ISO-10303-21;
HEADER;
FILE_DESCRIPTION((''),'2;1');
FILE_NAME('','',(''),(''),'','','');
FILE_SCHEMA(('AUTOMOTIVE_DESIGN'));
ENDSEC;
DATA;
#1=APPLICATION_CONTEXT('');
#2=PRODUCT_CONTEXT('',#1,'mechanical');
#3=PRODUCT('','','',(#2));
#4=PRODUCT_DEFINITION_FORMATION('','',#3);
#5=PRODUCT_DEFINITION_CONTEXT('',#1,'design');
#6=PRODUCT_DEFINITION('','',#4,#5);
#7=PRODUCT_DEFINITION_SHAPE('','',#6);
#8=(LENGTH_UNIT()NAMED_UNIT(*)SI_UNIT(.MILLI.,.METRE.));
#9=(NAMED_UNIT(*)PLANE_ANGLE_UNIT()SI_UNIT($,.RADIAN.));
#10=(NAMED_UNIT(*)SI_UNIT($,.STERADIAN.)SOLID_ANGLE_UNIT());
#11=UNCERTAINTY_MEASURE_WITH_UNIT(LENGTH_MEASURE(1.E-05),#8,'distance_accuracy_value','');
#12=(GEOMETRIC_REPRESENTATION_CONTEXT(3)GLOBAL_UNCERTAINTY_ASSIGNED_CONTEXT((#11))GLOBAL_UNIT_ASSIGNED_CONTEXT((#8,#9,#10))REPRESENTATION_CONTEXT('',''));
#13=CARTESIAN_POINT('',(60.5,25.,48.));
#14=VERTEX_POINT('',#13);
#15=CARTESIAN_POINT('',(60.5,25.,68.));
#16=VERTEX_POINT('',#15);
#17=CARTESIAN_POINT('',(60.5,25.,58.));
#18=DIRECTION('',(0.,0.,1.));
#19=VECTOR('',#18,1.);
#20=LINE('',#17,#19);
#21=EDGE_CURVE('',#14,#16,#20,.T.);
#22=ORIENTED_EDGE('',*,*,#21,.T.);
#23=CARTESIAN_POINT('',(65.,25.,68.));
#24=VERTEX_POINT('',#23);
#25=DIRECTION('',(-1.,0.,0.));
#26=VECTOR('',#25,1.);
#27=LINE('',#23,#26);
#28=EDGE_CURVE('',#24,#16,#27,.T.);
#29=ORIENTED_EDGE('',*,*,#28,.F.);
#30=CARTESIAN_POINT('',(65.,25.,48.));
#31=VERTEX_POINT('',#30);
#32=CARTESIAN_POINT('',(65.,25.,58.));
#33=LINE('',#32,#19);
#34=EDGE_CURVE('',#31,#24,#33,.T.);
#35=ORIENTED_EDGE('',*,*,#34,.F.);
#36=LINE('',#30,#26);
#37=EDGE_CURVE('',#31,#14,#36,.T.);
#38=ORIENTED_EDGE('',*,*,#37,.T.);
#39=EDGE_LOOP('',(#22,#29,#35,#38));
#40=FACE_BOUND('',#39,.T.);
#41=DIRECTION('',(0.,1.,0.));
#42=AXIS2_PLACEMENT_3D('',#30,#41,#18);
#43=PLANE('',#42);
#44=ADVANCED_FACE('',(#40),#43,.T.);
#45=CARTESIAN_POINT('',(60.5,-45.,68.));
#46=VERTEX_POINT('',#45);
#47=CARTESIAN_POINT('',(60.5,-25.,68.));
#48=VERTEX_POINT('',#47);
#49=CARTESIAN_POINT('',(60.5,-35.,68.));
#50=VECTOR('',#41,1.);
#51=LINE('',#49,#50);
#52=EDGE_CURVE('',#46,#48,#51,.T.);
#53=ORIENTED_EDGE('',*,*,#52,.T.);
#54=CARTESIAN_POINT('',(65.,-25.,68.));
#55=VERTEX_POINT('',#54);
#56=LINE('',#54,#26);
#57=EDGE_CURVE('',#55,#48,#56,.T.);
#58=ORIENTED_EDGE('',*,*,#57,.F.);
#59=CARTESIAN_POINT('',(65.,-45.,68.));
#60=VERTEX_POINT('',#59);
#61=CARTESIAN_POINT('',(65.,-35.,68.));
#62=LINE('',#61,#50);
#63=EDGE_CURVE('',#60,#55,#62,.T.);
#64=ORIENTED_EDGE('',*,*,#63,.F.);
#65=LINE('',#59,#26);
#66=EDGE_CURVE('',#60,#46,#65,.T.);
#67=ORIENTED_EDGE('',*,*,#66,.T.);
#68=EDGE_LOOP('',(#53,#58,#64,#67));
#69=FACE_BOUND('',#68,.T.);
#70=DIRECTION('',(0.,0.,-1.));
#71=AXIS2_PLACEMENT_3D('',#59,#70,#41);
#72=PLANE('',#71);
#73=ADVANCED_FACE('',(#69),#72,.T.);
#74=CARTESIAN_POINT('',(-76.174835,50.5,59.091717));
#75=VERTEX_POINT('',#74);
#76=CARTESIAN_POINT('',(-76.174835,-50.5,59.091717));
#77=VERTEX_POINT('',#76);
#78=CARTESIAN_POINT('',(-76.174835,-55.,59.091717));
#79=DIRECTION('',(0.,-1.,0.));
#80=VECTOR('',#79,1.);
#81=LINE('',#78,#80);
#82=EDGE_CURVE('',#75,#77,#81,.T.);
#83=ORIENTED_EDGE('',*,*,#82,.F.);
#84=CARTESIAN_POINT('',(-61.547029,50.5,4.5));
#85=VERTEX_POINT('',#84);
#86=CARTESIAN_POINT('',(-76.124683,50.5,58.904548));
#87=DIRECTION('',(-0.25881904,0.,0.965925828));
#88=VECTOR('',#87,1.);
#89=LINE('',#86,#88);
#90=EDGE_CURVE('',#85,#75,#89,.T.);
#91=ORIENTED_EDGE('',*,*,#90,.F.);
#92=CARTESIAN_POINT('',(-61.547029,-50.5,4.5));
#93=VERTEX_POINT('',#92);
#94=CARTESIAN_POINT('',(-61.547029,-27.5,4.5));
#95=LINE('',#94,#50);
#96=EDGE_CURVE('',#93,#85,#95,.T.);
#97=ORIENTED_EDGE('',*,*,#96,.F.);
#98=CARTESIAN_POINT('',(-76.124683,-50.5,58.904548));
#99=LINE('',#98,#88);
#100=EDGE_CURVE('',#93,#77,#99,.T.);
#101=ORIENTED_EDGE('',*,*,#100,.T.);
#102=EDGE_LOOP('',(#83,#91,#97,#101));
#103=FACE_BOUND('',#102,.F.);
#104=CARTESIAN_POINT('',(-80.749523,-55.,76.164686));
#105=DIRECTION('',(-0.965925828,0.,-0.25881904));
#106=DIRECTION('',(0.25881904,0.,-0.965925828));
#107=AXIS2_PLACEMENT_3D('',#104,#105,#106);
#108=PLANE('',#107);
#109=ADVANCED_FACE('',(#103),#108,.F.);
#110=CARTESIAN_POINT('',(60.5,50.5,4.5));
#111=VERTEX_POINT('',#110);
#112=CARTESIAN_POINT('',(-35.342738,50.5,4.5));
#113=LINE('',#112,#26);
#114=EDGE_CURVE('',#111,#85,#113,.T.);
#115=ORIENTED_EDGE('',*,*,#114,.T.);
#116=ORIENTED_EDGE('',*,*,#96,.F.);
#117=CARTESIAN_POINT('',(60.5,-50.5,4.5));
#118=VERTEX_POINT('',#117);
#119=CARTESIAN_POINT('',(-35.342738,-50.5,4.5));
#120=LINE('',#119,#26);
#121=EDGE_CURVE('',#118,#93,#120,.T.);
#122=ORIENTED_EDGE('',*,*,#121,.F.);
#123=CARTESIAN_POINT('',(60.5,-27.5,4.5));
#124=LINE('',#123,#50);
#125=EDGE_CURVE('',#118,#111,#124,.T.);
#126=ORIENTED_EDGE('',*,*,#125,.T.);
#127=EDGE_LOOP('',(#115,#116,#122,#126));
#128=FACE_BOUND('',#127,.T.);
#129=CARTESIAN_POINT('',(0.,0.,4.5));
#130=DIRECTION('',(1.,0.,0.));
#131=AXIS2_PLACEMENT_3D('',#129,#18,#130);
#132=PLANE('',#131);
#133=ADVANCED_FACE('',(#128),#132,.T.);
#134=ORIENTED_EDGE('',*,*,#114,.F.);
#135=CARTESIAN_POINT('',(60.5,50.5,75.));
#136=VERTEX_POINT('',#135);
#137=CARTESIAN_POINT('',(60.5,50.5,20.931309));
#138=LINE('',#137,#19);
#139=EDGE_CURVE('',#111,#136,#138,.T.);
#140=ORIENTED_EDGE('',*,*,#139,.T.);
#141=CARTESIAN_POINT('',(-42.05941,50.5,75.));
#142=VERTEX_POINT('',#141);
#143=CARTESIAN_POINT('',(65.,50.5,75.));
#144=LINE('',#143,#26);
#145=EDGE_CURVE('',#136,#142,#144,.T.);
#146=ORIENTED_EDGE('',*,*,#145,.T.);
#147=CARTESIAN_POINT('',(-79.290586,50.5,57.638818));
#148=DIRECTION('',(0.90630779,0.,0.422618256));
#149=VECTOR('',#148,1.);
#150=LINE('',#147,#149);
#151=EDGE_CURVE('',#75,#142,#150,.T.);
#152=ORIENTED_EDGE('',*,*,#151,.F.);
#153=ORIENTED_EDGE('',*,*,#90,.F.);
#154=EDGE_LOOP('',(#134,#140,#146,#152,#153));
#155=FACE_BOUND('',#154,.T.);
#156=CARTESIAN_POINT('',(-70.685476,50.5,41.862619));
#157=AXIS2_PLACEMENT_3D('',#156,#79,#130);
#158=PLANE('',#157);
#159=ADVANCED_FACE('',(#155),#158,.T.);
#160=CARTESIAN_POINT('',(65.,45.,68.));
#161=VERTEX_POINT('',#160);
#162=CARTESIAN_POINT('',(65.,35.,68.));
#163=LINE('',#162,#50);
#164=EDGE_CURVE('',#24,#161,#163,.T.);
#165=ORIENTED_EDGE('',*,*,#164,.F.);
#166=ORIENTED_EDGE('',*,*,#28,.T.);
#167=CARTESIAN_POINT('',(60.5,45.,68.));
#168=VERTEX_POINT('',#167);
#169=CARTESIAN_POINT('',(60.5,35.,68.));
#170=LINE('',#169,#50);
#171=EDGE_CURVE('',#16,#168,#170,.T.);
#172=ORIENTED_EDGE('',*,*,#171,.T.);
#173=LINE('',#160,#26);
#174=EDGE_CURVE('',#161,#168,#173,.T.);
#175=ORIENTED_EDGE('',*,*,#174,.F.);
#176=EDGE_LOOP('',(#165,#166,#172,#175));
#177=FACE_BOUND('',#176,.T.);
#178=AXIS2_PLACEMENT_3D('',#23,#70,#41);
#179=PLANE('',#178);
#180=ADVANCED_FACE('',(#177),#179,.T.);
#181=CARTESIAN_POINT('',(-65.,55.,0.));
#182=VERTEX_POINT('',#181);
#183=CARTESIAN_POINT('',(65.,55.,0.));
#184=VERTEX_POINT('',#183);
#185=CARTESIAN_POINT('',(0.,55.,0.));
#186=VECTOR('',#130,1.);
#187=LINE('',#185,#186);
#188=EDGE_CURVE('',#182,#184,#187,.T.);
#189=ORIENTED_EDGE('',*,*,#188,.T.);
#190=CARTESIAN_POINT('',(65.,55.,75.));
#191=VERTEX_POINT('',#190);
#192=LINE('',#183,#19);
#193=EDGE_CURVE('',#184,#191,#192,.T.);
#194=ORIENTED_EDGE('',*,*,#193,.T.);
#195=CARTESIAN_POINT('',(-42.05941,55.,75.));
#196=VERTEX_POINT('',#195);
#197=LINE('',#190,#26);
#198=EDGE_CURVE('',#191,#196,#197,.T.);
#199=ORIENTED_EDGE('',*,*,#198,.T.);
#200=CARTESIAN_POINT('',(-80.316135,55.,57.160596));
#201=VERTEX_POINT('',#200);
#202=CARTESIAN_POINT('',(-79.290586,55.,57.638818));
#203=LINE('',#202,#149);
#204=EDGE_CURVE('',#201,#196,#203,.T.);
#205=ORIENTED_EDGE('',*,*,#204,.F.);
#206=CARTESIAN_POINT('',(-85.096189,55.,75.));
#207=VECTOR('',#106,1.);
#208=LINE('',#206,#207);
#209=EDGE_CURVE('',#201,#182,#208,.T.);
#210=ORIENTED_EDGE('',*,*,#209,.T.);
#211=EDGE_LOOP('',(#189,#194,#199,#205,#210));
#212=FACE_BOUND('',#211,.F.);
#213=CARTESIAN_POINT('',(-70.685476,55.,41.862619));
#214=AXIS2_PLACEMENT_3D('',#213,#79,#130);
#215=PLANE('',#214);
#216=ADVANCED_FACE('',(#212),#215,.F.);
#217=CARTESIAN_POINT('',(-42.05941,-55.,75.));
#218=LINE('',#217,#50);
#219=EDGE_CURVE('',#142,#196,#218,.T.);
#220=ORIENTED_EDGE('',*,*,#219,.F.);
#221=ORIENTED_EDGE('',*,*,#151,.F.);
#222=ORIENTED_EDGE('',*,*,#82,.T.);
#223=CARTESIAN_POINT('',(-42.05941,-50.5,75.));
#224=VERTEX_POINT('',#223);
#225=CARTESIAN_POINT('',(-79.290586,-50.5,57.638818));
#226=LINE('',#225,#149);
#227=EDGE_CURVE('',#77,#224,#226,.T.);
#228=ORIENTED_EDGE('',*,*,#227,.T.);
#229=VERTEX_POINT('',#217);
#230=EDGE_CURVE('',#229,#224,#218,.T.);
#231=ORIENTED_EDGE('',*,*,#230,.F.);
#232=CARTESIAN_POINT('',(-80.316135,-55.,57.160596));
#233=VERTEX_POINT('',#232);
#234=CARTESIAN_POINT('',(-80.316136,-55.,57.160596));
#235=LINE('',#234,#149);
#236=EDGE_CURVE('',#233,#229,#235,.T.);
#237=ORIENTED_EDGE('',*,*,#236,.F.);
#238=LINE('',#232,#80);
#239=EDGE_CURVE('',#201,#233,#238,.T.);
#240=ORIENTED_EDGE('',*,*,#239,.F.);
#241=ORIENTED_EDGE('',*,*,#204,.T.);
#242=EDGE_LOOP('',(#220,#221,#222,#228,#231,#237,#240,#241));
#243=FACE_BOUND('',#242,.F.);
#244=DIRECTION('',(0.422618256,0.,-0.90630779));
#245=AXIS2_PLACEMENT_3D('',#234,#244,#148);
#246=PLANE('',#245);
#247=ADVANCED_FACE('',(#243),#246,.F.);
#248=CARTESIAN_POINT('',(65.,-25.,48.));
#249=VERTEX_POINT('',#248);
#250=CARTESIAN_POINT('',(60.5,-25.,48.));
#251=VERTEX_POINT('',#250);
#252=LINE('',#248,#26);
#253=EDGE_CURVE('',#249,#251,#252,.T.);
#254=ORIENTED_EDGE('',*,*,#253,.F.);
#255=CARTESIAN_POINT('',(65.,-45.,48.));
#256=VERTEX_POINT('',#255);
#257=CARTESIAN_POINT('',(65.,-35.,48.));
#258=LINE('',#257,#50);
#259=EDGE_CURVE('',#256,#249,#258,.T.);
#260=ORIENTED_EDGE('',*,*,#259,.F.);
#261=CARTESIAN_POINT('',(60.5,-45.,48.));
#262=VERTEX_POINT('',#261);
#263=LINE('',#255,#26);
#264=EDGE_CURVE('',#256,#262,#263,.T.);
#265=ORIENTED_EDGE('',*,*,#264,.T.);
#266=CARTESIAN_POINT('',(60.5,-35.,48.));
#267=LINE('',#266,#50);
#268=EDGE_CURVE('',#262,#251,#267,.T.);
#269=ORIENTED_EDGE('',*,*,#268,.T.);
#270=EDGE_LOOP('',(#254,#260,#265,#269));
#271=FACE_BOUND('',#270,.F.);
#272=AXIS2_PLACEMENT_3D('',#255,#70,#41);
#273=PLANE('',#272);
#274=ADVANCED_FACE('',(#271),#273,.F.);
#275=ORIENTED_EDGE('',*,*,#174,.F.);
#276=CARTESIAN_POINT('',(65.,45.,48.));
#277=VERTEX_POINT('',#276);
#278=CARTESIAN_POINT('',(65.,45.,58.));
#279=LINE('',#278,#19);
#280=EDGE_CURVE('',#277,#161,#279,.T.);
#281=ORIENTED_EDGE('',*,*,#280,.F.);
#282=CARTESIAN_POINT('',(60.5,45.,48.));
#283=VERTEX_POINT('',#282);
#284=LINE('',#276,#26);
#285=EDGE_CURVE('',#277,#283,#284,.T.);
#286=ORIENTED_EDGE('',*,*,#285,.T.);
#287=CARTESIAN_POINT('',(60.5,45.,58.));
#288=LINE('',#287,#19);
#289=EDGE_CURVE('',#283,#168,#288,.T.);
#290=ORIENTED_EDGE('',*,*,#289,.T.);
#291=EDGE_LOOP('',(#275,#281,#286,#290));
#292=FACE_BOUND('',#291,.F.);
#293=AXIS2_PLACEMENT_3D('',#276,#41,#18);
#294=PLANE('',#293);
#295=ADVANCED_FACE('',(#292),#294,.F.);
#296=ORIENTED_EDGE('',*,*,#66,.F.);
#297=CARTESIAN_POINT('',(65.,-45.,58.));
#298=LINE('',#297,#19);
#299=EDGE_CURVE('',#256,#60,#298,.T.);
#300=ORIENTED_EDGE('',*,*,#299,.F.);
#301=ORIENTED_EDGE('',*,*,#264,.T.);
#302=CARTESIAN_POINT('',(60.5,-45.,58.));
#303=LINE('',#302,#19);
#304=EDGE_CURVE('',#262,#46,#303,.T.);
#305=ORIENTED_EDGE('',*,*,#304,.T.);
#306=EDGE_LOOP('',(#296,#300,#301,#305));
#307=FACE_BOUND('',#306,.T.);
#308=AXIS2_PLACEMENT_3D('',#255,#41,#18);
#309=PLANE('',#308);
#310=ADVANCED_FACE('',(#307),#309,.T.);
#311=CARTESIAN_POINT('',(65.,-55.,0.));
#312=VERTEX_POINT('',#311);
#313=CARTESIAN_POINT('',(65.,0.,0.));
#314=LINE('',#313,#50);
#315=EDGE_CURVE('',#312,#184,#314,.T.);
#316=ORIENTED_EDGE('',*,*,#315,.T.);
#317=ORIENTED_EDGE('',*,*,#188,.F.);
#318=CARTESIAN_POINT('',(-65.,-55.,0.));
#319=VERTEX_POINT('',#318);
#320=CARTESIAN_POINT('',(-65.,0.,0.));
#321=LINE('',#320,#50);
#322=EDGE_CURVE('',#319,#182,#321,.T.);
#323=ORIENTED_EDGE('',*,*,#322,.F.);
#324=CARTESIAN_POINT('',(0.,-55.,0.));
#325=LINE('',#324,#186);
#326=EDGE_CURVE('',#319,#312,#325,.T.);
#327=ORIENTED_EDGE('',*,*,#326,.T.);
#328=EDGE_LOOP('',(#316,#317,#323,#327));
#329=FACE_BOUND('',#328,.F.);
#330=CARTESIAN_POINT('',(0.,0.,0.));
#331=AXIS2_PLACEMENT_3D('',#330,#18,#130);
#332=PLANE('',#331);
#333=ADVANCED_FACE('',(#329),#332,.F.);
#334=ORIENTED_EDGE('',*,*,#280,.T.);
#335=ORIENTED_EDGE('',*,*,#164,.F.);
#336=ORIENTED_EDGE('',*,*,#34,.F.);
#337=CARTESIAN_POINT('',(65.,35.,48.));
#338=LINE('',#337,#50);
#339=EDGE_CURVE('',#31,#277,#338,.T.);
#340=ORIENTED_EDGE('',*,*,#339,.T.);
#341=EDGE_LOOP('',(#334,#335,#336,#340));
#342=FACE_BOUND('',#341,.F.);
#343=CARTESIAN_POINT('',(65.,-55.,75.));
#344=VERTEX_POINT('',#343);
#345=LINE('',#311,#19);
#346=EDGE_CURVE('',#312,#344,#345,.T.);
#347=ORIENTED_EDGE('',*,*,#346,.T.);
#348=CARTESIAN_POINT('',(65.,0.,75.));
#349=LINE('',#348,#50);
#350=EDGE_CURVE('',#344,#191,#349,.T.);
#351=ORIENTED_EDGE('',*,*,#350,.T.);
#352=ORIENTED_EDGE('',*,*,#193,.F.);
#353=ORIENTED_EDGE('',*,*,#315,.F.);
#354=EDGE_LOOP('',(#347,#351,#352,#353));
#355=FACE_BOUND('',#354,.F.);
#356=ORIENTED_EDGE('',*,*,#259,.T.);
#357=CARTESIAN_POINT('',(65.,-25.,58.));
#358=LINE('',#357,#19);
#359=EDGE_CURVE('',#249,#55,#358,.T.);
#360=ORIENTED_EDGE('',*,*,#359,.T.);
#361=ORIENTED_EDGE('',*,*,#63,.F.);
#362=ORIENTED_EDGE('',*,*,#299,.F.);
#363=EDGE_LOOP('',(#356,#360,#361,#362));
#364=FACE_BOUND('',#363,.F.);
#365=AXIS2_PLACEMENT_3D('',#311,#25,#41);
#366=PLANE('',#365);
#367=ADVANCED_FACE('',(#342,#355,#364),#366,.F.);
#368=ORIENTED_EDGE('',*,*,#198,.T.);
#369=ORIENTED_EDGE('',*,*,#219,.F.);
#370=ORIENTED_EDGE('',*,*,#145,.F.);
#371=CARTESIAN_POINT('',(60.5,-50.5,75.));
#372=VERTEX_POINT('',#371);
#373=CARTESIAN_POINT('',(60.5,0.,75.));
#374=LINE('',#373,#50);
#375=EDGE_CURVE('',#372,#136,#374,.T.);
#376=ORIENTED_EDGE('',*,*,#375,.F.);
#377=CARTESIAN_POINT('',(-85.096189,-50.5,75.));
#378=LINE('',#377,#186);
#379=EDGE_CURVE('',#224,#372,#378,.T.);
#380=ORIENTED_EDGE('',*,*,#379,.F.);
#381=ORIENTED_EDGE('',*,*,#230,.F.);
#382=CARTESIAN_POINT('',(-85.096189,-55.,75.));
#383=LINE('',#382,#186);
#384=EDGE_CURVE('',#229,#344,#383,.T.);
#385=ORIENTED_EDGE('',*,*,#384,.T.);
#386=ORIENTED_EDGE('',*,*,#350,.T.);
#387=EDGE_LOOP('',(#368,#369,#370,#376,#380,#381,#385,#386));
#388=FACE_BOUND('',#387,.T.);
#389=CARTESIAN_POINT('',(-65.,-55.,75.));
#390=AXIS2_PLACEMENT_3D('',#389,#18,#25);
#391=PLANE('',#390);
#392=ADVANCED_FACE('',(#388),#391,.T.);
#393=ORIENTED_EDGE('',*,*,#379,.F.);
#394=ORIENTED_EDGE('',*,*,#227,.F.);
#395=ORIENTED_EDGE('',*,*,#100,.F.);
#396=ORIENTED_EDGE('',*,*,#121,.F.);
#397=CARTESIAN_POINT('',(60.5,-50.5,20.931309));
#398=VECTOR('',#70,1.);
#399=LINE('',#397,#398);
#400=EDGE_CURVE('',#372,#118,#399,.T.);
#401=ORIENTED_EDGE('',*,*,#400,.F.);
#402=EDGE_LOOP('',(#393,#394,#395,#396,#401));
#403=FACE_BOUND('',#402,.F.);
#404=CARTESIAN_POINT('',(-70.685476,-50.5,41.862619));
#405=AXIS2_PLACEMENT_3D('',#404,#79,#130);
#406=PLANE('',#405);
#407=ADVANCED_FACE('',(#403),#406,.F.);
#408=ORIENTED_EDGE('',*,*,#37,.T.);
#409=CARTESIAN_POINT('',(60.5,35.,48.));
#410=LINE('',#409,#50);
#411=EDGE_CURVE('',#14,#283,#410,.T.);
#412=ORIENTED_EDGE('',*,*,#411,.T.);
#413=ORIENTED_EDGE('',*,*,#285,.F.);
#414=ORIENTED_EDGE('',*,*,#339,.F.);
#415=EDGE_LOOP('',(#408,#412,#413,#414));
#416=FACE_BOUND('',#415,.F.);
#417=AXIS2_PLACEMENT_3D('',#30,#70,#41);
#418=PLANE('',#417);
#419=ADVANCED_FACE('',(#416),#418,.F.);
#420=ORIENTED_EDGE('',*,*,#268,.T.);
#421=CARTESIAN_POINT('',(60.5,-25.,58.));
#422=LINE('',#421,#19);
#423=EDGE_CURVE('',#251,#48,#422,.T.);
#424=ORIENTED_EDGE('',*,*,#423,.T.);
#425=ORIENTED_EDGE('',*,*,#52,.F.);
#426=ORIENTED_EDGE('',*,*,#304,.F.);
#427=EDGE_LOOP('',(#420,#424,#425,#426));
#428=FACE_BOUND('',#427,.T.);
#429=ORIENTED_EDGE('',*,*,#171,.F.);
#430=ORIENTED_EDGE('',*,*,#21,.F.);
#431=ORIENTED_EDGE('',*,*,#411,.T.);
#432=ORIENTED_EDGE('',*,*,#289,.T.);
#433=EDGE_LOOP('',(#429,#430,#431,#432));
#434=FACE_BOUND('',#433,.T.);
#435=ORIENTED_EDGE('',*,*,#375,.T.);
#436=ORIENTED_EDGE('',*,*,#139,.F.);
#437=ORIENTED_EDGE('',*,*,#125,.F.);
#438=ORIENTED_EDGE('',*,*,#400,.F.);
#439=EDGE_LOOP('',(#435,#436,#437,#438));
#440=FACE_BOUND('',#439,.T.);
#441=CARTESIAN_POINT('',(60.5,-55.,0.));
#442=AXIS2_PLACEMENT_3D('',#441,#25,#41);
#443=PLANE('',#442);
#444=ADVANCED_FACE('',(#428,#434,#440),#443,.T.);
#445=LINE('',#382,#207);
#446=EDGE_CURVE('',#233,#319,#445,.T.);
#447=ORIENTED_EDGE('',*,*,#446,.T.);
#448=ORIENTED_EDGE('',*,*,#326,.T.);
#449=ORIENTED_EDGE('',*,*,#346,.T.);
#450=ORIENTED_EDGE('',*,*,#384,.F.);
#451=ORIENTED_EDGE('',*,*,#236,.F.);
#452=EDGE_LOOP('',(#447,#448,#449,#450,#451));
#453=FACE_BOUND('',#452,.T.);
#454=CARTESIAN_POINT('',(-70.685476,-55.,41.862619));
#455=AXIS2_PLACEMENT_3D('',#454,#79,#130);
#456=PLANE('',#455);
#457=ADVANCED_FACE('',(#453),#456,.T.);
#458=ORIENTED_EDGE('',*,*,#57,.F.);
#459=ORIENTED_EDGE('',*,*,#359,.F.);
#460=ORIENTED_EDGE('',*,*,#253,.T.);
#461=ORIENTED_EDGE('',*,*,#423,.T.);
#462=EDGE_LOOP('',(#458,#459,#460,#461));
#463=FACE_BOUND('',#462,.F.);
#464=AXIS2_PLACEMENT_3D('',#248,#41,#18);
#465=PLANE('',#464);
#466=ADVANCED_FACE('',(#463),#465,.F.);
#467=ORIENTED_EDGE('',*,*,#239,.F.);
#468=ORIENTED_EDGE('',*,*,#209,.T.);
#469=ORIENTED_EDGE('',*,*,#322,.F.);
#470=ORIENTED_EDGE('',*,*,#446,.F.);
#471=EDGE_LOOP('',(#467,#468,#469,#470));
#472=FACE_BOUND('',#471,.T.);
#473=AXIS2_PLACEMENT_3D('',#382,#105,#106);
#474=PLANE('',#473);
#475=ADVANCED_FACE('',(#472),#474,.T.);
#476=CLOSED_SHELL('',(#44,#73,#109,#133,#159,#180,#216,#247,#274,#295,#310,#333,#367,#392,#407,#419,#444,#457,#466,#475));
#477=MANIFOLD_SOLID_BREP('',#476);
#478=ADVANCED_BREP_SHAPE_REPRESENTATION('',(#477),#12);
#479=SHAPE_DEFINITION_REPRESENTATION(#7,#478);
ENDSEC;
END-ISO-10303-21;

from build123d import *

# Parameters (mm, degrees)
F0_W     = 130
F0_H     = 110
F1_DEPTH = 75
F3_DEPTH = 110
F4_T     = -4.5
F6_DEPTH = 110.001
F7_W     = 20
F7_H     = 20
F8_DEPTH = 4.5


with BuildPart() as f1:
    # F0 (on Top) → F1 (new body)
    with BuildSketch(Plane.XY):
        Rectangle(F0_W, F0_H)
    extrude(amount=F1_DEPTH)

    # F2 (on face) → F3 (join, through all)
    with BuildSketch(Plane.XZ.offset(55)):
        Polygon((-85.096189, 75), (-65, 0), (-65, 75), align=None)
    extrude(amount=-F3_DEPTH)

    # F4
    f4_openings = [f1.faces().sort_by_distance(p)[0] for p in [
        (-10.048095, 0, 75),
    ]]
    offset(amount=F4_T, openings=f4_openings)

    # F5 (on face) → F6 (cut, through all)
    with BuildSketch(Plane.XZ.offset(55)):
        Polygon((-80.316136, 57.160596), (-42.05941, 75), (-85.419632, 75), align=None)
    extrude(amount=-F6_DEPTH, mode=Mode.SUBTRACT)

    # F7 (on face) → F8 (cut, through all)
    with BuildSketch(Plane.YZ.offset(65)):
        with Locations((-35, 58)):
            Rectangle(F7_W, F7_H)
        with Locations((35, 58)):
            Rectangle(F7_W, F7_H)
    extrude(amount=-F8_DEPTH, mode=Mode.SUBTRACT)


solid = f1.part
